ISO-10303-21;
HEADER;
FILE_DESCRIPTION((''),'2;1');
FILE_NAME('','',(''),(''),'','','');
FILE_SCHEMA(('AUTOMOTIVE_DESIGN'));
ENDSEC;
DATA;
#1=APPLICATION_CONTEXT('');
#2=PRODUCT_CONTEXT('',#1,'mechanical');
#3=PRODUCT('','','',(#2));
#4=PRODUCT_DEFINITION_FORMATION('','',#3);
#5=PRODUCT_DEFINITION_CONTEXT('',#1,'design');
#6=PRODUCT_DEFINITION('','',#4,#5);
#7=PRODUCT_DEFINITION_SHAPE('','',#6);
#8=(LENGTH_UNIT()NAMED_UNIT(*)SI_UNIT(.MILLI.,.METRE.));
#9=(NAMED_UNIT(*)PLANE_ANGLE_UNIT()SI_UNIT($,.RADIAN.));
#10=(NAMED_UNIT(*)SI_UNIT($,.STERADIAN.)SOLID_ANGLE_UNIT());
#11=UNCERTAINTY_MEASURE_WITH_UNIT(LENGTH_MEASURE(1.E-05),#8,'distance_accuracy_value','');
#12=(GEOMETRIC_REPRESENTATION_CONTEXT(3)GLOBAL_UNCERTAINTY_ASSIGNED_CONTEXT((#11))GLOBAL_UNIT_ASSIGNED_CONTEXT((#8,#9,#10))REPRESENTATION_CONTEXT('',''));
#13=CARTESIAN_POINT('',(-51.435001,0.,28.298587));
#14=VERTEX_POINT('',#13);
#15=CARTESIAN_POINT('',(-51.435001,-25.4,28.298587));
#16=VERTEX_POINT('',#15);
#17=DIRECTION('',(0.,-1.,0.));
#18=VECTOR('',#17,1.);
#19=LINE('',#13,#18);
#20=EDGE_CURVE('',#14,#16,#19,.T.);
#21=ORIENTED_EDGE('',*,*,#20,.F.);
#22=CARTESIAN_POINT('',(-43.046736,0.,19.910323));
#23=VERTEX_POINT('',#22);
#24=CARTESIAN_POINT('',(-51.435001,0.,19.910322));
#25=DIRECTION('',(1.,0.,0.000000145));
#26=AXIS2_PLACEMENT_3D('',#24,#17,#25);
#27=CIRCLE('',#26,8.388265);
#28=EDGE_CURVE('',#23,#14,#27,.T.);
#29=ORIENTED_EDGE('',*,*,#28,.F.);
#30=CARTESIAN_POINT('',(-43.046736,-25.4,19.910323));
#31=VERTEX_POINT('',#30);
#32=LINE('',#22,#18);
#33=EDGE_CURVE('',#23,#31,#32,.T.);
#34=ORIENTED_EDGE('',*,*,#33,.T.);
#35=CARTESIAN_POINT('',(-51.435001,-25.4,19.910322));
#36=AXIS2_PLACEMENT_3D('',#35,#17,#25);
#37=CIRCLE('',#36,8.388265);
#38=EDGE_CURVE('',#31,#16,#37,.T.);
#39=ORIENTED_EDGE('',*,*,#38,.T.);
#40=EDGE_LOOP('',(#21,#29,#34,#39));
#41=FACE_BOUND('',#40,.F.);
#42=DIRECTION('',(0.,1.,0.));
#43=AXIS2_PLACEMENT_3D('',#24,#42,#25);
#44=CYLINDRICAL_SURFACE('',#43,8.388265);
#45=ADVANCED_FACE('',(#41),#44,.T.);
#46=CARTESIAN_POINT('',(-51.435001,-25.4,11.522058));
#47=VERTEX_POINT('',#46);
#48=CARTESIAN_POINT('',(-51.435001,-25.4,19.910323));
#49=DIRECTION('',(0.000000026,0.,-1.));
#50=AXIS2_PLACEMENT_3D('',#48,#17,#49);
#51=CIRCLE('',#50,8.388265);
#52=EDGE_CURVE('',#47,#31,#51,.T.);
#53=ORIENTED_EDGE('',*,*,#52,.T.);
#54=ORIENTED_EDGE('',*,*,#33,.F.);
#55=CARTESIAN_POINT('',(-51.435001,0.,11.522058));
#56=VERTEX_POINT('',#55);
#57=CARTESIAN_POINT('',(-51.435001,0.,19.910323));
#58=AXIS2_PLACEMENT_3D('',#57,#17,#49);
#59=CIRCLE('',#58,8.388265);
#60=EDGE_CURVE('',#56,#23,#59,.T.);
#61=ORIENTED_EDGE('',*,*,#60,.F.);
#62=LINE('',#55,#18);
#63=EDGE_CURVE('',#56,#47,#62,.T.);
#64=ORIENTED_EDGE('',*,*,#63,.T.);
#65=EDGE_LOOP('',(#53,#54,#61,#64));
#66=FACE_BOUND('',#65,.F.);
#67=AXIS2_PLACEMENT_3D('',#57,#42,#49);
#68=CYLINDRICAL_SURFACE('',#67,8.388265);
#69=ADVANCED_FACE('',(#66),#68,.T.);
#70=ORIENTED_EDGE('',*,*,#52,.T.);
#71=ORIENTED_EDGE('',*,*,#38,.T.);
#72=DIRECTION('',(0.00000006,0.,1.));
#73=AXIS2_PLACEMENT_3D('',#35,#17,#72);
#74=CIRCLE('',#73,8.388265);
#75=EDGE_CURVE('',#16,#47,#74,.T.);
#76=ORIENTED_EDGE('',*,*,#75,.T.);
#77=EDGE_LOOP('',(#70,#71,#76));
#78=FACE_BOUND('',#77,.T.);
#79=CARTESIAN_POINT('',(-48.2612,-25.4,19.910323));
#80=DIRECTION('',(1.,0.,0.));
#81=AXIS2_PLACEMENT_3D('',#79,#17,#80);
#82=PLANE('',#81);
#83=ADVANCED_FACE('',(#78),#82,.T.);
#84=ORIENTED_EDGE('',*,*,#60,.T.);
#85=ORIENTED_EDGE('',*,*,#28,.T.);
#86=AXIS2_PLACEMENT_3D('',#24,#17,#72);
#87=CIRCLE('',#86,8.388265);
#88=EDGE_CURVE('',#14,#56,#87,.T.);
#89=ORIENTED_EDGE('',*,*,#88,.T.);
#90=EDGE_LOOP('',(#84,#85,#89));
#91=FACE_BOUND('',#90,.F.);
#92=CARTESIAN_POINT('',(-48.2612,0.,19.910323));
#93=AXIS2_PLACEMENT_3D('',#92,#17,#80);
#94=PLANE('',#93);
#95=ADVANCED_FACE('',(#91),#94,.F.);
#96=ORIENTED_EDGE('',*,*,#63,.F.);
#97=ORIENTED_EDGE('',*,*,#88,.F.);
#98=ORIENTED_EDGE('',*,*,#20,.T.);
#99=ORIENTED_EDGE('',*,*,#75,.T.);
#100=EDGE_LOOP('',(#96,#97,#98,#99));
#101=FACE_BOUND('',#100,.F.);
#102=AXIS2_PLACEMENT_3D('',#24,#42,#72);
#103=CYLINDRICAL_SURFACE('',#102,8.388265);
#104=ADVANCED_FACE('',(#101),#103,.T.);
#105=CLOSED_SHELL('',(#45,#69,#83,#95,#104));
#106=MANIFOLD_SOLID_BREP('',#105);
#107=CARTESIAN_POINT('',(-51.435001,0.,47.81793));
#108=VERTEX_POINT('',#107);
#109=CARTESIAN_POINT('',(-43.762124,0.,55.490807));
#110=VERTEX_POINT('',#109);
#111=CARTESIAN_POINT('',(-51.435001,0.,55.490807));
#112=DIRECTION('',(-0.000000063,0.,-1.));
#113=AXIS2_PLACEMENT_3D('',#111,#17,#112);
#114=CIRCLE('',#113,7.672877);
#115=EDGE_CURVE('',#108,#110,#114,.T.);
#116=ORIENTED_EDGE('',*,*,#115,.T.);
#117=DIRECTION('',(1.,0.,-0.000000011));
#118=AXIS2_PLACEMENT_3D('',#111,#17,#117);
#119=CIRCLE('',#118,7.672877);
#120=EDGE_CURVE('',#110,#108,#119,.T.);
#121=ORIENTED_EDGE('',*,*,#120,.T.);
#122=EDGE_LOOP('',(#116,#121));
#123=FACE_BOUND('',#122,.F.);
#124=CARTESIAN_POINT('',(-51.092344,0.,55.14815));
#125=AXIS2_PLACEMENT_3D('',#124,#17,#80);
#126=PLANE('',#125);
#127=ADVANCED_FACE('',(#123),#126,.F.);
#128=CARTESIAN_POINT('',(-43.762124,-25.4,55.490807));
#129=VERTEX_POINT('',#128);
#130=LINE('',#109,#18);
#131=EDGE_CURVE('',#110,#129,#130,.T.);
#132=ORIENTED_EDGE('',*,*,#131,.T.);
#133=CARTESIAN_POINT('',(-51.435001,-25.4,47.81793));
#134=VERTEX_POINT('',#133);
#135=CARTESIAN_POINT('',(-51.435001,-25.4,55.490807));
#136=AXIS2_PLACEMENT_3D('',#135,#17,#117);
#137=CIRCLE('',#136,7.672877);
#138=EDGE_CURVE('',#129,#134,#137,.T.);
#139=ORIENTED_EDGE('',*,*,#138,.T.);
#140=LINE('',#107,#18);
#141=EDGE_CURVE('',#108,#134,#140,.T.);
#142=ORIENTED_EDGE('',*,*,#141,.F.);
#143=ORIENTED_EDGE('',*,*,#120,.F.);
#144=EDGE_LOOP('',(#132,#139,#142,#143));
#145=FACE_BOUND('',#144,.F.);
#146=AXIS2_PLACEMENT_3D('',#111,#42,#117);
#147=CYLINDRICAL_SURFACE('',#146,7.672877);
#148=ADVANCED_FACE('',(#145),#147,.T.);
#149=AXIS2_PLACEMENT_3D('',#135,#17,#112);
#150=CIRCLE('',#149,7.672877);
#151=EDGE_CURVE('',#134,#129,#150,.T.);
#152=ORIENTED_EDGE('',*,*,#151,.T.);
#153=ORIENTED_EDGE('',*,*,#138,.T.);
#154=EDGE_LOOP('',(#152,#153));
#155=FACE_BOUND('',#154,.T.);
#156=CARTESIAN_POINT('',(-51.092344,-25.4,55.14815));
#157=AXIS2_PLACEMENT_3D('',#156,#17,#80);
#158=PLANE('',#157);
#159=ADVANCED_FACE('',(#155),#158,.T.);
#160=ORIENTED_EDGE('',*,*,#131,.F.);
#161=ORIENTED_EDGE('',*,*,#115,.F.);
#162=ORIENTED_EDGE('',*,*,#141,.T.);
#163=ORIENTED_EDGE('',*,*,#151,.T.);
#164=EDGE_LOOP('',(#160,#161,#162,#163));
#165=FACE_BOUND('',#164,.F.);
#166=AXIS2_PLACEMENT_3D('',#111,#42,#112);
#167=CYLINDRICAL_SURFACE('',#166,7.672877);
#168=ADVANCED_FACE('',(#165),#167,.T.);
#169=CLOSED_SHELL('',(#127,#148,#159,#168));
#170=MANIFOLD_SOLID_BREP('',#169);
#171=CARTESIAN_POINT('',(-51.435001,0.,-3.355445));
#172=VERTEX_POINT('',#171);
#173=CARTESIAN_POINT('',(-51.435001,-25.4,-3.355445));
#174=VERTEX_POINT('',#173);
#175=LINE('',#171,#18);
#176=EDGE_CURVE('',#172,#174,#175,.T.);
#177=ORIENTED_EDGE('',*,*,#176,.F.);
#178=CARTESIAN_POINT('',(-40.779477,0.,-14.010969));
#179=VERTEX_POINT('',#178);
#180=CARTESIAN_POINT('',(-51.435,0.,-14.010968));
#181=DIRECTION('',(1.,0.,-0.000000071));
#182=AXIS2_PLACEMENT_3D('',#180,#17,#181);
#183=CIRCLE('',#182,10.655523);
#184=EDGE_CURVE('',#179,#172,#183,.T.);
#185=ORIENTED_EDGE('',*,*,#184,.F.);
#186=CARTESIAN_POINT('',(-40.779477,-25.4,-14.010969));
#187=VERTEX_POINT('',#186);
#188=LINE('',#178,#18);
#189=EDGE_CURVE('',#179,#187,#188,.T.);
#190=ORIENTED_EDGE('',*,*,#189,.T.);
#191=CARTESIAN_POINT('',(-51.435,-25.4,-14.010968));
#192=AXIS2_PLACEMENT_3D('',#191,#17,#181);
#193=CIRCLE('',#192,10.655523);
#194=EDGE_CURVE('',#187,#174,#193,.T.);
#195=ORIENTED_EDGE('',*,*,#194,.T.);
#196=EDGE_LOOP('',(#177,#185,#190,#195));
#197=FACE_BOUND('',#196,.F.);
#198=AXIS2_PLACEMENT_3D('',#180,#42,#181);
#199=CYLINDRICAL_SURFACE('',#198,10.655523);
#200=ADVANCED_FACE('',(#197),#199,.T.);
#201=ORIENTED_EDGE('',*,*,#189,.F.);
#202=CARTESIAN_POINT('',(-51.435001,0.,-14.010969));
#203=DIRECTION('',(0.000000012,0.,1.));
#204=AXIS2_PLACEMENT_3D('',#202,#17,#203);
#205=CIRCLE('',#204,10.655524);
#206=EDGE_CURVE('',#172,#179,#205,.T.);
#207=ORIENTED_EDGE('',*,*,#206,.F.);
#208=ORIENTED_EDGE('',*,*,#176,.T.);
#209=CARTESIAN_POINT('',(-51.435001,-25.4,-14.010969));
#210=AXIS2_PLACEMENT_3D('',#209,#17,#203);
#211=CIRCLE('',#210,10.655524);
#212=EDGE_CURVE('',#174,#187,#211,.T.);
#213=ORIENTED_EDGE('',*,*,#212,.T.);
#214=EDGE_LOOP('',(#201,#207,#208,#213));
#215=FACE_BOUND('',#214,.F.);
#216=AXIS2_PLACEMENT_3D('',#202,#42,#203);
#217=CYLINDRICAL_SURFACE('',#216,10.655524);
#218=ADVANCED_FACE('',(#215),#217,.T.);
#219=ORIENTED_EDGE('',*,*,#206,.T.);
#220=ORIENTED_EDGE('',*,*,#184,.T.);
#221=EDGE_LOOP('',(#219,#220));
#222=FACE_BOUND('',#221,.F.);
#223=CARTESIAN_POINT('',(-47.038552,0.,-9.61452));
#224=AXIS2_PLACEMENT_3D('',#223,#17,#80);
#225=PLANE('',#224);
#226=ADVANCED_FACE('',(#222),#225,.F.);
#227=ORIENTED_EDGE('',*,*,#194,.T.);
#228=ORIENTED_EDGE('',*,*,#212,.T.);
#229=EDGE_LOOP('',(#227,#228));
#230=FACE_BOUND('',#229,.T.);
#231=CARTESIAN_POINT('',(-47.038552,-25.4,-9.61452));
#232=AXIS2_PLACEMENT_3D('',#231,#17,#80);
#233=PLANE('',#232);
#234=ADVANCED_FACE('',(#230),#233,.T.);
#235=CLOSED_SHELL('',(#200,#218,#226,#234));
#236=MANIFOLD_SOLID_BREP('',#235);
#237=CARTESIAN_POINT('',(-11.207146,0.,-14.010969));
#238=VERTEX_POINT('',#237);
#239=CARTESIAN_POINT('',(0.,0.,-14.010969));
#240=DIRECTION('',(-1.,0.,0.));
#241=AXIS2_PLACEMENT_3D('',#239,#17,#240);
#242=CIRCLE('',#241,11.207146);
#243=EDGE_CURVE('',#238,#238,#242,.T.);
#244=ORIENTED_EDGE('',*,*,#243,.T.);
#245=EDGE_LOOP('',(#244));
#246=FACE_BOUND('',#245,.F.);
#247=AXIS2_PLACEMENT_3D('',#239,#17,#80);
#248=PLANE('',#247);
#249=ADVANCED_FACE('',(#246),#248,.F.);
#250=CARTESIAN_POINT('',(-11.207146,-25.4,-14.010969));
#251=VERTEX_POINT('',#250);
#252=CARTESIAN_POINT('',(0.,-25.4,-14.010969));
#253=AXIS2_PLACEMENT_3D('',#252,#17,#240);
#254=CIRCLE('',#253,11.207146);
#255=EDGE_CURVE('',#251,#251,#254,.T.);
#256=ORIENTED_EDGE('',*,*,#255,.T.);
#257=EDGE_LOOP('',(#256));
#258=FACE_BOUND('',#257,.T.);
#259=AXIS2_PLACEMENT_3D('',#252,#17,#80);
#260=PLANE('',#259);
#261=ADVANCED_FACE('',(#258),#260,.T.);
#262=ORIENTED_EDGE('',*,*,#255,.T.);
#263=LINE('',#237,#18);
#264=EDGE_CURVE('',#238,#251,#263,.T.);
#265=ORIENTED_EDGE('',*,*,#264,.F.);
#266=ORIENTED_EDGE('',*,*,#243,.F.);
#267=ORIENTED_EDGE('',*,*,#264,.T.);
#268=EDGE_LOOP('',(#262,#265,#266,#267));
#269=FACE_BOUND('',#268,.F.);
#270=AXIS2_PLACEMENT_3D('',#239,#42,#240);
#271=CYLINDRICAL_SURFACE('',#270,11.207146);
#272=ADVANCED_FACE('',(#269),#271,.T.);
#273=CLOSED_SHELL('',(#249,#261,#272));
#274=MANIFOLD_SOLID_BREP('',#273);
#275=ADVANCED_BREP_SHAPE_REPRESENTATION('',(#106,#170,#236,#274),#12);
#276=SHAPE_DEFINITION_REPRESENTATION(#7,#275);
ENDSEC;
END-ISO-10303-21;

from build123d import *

# Parameters (mm, degrees)
F1_DEPTH = 25.4


with BuildPart() as f1:
    # F0 (on Front) → F1 (new body)
    with BuildSketch(Plane.XZ):
        with BuildLine():
            ThreePointArc((11.207146, -14.010969), (0, -2.803823), (-11.207146, -14.010969))
            ThreePointArc((-11.207146, -14.010969), (0, -25.218115), (11.207146, -14.010969))
        make_face()
        with BuildLine():
            ThreePointArc((-40.779477, -14.010969), (-43.900408, -6.476375), (-51.435001, -3.355445))
            Line((-51.435001, -3.355445), (-51.435001, -14.010969))
            Line((-51.435001, -14.010969), (-40.779477, -14.010969))
        make_face()
        with BuildLine():
            Line((-51.435001, -14.010969), (-51.435001, -3.355445))
            ThreePointArc((-51.435001, -3.355445), (-58.969595, -21.545562), (-40.779477, -14.010969))
            Line((-40.779477, -14.010969), (-51.435001, -14.010969))
        make_face()
        with BuildLine():
            ThreePointArc((-43.046736, 19.910323), (-45.503602, 25.841721), (-51.435001, 28.298587))
            Line((-51.435001, 28.298587), (-51.435001, 19.910323))
            Line((-51.435001, 19.910323), (-51.435001, 11.522058))
            ThreePointArc((-51.435001, 11.522058), (-45.503602, 13.978924), (-43.046736, 19.910323))
        make_face()
        with BuildLine():
            Line((-51.435001, 19.910323), (-51.435001, 28.298587))
            ThreePointArc((-51.435001, 28.298587), (-59.823266, 19.910323), (-51.435001, 11.522058))
            Line((-51.435001, 11.522058), (-51.435001, 19.910323))
        make_face()
        with BuildLine():
            ThreePointArc((-43.762124, 55.490807), (-56.860545, 60.91635), (-51.435001, 47.81793))
            ThreePointArc((-51.435001, 47.81793), (-46.009458, 50.065263), (-43.762124, 55.490807))
        make_face()
    extrude(amount=F1_DEPTH)


solid = f1.part
